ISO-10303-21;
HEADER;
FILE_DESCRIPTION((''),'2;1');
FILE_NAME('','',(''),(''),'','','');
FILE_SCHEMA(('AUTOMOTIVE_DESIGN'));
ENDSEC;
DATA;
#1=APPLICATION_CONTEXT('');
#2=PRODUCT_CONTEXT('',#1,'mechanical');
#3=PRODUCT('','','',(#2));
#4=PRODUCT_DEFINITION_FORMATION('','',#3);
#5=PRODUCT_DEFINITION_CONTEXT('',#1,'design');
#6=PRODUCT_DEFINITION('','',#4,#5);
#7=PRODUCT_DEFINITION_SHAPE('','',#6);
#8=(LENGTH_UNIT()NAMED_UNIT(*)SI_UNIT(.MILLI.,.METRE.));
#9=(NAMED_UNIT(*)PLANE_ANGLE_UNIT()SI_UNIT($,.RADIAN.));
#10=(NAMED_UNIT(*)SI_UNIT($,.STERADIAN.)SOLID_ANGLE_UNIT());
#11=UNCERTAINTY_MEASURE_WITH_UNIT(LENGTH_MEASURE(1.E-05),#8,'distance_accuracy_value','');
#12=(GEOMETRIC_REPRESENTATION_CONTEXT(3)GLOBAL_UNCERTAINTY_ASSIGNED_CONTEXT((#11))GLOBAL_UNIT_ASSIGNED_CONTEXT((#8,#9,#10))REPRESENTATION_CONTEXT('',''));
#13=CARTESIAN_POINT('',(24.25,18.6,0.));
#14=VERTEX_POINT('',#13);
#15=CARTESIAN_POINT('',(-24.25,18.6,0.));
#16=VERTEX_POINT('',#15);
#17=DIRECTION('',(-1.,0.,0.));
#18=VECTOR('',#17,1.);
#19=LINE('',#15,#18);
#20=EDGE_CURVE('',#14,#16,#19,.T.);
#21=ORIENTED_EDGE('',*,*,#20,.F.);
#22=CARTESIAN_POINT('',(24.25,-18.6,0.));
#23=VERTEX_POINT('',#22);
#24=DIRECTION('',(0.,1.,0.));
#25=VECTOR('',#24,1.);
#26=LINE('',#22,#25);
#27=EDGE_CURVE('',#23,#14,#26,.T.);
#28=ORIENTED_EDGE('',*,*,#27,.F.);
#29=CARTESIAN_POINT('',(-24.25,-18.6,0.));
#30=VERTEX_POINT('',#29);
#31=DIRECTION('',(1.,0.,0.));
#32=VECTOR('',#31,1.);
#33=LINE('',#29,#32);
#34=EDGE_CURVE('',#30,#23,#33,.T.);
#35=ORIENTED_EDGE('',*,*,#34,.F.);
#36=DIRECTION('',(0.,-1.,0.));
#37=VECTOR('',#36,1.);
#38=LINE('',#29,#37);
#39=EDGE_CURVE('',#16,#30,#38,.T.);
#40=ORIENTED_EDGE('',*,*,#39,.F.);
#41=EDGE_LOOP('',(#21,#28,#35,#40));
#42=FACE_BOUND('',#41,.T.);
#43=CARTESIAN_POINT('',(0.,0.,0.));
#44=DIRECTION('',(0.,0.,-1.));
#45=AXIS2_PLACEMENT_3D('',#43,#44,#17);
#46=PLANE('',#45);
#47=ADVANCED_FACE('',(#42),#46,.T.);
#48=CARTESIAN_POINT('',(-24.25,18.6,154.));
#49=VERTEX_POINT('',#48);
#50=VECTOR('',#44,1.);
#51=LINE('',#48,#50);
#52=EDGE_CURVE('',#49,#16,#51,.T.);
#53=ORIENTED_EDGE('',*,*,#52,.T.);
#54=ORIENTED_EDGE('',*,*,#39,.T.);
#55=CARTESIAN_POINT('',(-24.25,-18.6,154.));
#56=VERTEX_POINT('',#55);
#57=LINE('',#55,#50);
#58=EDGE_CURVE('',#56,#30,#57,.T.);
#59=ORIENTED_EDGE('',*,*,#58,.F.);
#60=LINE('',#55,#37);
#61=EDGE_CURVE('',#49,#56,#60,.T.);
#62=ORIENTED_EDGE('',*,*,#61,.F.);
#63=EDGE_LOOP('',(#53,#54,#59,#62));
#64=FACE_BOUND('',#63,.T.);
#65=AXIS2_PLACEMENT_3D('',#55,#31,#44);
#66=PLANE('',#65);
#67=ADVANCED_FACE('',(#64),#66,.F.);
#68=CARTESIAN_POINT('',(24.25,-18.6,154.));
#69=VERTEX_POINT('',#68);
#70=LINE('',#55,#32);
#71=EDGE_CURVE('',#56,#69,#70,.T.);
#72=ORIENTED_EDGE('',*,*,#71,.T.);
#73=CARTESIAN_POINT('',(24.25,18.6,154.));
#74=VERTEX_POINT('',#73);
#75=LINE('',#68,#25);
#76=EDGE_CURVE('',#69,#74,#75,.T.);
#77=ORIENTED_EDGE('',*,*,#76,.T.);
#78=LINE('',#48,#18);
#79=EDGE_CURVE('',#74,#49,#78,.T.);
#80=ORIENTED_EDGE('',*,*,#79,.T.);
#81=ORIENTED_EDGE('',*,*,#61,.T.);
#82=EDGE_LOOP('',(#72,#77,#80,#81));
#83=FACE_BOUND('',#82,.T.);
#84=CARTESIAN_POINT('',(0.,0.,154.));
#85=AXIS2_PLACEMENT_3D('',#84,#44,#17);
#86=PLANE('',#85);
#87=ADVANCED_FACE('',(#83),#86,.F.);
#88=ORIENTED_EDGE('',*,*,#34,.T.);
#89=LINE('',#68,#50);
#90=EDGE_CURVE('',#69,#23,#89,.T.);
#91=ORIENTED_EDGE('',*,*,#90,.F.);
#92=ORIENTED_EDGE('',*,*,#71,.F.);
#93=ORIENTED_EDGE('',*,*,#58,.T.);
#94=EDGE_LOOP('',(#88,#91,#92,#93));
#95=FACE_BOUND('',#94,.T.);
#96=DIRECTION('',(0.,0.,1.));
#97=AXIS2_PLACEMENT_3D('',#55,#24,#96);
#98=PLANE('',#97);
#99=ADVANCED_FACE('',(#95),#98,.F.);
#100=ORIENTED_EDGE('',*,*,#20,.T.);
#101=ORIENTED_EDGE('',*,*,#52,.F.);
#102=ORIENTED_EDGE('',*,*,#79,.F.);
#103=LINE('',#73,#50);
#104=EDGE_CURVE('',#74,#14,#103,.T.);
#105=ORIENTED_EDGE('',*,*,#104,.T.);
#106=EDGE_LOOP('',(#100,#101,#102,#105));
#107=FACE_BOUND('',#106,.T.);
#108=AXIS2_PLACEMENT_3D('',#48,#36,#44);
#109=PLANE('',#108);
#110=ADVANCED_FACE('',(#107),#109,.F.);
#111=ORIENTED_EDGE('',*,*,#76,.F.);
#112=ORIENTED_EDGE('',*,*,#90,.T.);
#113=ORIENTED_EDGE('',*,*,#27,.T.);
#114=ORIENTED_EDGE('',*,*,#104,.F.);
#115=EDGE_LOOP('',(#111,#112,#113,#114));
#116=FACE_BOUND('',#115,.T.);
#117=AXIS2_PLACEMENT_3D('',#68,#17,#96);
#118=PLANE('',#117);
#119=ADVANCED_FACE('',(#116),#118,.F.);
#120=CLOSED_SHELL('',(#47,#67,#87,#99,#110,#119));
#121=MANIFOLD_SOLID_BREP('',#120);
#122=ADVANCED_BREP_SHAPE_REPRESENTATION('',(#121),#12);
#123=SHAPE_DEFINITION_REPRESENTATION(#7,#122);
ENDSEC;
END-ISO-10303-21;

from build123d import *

# Parameters (mm, degrees)
SKETCH1_W           = 48.5
SKETCH1_H           = 37.2
BOSS_EXTRUDE1_DEPTH = 154


with BuildPart() as part:
    # Sketch1 → Boss-Extrude1 (new body)
    with BuildSketch(Plane.XY):
        Rectangle(SKETCH1_W, SKETCH1_H)
    extrude(amount=BOSS_EXTRUDE1_DEPTH)


solid = part.part
